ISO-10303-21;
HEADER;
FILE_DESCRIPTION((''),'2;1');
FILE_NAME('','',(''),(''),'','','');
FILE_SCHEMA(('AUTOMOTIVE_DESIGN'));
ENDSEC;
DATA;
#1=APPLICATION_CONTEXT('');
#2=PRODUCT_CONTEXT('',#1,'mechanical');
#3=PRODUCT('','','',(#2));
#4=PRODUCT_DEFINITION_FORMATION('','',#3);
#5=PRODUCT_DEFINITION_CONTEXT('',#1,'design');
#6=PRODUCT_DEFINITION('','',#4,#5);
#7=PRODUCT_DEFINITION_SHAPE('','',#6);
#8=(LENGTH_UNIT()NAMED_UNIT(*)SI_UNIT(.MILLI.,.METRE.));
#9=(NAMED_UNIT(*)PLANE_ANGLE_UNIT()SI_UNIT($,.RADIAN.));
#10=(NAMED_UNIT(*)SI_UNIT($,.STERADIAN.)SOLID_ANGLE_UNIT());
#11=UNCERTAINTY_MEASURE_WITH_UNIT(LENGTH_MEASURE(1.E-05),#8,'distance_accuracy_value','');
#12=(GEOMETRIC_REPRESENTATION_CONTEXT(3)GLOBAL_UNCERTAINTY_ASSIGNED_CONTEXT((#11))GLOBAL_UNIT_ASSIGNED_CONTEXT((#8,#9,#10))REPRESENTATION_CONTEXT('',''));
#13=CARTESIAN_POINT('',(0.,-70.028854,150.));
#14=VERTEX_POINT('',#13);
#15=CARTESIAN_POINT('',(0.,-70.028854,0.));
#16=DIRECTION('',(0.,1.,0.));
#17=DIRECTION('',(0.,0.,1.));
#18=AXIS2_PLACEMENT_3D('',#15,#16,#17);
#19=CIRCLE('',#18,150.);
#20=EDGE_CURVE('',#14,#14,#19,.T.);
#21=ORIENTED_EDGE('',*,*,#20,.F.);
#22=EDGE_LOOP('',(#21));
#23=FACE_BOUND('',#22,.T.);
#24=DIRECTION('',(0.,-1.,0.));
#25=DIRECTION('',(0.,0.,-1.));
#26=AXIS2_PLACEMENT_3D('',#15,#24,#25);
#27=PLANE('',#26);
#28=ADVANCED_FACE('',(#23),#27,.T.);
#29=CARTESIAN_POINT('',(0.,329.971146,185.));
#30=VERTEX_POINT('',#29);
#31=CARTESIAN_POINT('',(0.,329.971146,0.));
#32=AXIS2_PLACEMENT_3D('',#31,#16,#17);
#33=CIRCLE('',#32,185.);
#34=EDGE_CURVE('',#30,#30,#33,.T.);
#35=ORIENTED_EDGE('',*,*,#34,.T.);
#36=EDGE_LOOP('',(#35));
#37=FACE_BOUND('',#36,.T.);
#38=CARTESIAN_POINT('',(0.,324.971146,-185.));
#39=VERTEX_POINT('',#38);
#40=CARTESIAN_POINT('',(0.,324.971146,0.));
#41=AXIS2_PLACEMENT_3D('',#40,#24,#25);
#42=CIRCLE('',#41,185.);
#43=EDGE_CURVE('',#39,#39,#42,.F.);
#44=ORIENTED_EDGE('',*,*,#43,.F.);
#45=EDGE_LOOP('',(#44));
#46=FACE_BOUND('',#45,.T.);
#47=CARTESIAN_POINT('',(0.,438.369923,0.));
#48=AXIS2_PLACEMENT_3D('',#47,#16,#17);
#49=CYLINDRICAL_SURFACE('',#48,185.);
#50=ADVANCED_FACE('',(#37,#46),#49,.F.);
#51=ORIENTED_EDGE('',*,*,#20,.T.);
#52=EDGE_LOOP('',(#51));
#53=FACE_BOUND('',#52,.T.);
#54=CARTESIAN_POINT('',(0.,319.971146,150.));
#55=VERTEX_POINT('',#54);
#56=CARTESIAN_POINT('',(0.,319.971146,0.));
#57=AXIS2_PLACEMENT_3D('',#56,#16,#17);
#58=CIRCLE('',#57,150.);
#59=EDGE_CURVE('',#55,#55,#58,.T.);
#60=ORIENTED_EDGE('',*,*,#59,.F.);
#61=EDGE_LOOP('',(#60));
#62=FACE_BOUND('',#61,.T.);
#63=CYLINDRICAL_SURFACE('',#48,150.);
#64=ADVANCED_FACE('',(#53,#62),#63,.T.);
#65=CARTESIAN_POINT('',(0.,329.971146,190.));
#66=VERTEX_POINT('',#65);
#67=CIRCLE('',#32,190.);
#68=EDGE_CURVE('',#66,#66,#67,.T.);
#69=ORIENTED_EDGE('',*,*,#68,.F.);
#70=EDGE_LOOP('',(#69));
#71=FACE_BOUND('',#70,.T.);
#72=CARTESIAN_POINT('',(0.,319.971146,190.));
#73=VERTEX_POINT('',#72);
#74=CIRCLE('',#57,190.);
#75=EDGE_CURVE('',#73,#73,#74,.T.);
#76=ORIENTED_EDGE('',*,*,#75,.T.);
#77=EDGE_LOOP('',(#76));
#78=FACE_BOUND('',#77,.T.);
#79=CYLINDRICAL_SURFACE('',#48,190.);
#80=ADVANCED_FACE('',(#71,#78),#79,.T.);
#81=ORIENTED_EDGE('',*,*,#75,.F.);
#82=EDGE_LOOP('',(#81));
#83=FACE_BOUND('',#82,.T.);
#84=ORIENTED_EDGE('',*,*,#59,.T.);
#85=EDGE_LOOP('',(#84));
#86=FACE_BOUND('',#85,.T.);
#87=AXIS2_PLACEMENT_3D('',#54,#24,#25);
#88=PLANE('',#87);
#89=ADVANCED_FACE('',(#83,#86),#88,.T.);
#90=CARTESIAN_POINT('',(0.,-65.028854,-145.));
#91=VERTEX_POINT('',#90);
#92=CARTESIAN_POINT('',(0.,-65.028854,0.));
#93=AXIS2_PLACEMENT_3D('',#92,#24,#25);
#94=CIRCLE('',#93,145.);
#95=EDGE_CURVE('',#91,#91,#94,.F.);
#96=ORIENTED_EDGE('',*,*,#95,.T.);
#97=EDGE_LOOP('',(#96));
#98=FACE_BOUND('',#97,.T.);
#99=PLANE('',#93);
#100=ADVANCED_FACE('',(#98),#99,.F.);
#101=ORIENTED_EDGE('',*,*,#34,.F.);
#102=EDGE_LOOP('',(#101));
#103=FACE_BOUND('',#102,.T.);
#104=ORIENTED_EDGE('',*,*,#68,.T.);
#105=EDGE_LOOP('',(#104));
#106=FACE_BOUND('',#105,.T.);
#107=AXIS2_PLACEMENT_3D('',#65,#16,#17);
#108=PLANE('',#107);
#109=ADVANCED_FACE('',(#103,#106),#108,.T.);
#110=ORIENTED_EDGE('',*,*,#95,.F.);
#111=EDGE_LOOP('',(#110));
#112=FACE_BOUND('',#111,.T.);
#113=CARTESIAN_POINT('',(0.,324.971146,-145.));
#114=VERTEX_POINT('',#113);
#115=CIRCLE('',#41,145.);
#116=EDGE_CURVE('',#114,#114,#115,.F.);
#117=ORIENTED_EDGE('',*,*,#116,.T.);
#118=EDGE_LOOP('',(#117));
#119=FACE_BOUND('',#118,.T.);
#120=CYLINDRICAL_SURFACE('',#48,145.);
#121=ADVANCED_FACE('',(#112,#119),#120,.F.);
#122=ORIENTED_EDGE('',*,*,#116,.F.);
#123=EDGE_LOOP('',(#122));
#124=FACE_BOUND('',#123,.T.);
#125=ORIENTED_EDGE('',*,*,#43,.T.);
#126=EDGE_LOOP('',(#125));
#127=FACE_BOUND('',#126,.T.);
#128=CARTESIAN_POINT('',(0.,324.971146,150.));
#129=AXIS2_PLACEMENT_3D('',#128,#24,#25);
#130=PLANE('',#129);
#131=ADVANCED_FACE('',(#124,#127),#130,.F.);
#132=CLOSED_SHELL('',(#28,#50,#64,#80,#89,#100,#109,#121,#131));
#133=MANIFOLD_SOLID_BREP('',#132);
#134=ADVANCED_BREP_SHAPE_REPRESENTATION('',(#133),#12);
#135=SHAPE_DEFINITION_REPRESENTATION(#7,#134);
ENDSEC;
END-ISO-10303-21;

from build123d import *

# Parameters (mm, degrees)
SHELL1_T = -5


with BuildPart() as part:
    # Sketch1 → Revolve1 (revolve)
    with BuildSketch(Plane(origin=(0, 0, 0), x_dir=(0, 0, -1), z_dir=(1, 0, 0))):
        Polygon((0, 329.971145898), (0, -70.028854102), (-150, -70.028854102), (-150, 319.971145898), (-190, 319.971145898), (-190, 329.971145898), align=None)
    revolve(axis=Axis((0, 438.369922809, 0), (0, -1, 0)))

    # Shell1
    shell1_openings = [part.faces().sort_by_distance(p)[0] for p in [
        (0, 329.971145898, 0),
    ]]
    offset(amount=SHELL1_T, openings=shell1_openings, kind=Kind.INTERSECTION)


solid = part.part
